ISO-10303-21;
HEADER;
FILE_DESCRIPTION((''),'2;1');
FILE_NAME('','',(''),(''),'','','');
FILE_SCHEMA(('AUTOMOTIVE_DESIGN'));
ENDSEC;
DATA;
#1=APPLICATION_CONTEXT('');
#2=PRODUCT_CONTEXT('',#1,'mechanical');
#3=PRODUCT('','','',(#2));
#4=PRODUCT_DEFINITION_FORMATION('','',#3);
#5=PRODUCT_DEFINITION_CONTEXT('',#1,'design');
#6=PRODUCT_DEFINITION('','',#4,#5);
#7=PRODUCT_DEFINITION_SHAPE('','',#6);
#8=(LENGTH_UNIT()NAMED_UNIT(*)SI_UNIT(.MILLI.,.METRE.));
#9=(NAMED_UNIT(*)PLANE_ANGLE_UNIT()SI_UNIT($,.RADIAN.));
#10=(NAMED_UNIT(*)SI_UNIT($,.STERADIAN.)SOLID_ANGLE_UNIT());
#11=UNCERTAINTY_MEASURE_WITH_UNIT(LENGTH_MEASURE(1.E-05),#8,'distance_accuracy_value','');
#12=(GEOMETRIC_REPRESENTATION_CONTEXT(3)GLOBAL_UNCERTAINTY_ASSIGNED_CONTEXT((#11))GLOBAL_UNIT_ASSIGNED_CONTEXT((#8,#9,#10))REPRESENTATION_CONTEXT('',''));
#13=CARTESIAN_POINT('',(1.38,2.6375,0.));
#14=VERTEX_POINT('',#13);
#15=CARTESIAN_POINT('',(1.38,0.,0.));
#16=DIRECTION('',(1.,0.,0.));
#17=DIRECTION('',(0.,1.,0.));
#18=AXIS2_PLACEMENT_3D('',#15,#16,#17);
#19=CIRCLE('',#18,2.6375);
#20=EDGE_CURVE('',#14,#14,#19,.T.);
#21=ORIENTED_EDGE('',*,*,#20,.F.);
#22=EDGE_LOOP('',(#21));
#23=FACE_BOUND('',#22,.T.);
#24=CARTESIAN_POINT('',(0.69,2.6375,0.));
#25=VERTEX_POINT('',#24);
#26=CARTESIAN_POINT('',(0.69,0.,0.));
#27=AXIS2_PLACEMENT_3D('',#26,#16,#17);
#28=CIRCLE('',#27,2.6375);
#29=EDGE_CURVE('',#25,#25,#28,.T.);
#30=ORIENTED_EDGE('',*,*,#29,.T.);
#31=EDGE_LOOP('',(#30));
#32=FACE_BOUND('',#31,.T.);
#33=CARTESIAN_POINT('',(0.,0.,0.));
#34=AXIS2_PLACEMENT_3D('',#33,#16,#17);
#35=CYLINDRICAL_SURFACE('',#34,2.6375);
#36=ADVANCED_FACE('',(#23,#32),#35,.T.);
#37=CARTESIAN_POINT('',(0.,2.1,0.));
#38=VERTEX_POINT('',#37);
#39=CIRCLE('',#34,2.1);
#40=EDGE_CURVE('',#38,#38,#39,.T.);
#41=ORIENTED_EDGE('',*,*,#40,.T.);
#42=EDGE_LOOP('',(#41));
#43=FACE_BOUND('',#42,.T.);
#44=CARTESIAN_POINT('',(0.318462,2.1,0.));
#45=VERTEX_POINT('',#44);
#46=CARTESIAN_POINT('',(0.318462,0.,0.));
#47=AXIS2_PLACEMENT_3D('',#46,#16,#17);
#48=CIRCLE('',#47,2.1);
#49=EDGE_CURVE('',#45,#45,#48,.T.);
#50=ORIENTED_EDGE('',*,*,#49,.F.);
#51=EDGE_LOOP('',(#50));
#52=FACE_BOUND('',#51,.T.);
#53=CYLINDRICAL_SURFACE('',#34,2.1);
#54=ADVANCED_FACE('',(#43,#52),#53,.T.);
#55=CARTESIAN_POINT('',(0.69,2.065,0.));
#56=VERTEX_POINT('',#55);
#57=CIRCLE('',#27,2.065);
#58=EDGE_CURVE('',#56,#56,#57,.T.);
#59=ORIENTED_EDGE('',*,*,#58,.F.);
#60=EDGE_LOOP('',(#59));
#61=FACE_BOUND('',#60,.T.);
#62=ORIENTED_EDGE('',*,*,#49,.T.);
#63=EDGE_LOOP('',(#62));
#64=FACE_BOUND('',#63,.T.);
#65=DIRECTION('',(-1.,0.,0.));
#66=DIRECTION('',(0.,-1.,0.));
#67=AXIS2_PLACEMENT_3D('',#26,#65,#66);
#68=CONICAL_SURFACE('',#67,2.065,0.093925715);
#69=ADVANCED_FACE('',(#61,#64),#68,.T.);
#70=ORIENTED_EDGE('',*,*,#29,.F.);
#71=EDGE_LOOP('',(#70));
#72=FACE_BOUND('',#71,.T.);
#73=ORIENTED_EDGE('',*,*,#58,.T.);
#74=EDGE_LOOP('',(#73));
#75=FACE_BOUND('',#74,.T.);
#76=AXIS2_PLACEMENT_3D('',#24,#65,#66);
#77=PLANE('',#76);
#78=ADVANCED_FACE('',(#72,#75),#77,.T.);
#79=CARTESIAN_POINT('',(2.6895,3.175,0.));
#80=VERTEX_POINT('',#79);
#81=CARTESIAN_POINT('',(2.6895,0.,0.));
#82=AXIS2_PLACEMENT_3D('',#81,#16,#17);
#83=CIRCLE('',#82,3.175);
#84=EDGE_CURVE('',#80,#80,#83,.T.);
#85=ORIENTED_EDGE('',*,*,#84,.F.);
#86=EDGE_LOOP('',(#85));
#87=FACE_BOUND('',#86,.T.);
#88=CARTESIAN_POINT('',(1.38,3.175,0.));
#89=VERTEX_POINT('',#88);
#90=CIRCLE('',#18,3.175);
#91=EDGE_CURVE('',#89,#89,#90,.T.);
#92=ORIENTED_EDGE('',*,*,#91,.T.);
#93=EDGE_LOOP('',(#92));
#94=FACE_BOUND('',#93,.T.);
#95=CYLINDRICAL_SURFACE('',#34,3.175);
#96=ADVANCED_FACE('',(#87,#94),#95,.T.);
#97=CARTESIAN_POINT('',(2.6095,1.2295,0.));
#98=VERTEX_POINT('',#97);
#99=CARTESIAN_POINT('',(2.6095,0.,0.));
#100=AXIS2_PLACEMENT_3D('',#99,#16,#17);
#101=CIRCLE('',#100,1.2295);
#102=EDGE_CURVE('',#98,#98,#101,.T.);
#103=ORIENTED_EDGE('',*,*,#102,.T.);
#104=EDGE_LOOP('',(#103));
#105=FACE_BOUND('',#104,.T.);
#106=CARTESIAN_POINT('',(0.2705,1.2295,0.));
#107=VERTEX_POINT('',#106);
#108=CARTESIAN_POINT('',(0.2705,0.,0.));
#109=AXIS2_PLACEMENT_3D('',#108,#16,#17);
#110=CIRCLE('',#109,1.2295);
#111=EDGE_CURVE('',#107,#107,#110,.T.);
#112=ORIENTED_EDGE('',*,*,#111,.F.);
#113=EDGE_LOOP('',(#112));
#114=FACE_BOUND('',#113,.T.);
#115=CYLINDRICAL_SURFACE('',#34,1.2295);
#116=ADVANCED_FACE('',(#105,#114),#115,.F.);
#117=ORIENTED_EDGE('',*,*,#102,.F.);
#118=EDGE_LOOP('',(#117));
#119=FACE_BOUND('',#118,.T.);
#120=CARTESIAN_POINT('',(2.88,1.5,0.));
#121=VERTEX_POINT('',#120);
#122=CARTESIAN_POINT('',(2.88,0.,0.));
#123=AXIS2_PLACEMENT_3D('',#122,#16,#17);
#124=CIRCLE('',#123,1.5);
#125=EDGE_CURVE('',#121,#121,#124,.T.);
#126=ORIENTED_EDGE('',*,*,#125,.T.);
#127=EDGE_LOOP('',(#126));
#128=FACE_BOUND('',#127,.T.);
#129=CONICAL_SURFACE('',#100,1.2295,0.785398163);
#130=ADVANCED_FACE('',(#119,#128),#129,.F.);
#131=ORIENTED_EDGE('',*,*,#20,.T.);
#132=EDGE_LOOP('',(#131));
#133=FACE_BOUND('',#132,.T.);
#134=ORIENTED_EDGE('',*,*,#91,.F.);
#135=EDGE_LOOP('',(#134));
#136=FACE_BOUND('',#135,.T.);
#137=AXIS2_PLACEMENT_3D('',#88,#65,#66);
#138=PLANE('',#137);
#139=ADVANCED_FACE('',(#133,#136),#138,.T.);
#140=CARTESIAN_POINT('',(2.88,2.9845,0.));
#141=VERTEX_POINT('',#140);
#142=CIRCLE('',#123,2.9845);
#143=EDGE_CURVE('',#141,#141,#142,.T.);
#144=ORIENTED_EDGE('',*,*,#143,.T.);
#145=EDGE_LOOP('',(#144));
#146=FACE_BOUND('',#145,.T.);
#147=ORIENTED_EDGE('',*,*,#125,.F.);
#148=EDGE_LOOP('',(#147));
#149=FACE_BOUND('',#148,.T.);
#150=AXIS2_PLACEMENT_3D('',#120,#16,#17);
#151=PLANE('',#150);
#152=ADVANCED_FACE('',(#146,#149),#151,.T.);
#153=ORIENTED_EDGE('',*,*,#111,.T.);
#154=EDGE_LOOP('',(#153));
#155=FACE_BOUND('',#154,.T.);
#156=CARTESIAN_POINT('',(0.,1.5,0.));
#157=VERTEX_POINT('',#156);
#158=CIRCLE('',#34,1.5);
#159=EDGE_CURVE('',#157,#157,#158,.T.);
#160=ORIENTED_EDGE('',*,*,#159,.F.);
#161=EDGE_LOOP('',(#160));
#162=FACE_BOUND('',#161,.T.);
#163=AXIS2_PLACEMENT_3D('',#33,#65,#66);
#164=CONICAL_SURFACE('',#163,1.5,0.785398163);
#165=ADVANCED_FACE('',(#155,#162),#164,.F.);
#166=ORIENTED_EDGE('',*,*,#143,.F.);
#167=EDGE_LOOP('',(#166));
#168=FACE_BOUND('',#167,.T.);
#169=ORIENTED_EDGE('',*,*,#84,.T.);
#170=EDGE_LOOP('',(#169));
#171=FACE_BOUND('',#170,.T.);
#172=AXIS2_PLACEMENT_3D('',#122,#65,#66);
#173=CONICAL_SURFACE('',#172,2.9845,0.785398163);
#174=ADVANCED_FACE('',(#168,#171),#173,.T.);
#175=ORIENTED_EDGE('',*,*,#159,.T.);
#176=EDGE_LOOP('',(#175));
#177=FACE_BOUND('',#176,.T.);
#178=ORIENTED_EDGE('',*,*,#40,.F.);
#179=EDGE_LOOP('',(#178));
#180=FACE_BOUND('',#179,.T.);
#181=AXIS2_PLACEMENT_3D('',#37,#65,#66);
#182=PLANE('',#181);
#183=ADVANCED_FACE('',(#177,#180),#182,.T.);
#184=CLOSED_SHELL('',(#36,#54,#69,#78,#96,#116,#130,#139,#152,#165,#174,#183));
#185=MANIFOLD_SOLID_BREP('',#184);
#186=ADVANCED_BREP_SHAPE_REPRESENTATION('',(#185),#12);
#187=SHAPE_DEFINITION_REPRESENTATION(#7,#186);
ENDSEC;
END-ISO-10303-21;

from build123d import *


with BuildPart() as part:
    # Sketch1 → Revolve1 (revolve)
    with BuildSketch(Plane.XY):
        Polygon((0.69, 2.065), (0.318461538, 2.1), (0, 2.1), (0, 1.5), (0.2705, 1.2295), (2.6095, 1.2295), (2.88, 1.5), (2.88, 2.9845), (2.6895, 3.175), (1.38, 3.175), (1.38, 2.6375), (0.69, 2.6375), align=None)
    revolve(axis=Axis((0, 0, 0), (1, 0, 0)))


solid = part.part
